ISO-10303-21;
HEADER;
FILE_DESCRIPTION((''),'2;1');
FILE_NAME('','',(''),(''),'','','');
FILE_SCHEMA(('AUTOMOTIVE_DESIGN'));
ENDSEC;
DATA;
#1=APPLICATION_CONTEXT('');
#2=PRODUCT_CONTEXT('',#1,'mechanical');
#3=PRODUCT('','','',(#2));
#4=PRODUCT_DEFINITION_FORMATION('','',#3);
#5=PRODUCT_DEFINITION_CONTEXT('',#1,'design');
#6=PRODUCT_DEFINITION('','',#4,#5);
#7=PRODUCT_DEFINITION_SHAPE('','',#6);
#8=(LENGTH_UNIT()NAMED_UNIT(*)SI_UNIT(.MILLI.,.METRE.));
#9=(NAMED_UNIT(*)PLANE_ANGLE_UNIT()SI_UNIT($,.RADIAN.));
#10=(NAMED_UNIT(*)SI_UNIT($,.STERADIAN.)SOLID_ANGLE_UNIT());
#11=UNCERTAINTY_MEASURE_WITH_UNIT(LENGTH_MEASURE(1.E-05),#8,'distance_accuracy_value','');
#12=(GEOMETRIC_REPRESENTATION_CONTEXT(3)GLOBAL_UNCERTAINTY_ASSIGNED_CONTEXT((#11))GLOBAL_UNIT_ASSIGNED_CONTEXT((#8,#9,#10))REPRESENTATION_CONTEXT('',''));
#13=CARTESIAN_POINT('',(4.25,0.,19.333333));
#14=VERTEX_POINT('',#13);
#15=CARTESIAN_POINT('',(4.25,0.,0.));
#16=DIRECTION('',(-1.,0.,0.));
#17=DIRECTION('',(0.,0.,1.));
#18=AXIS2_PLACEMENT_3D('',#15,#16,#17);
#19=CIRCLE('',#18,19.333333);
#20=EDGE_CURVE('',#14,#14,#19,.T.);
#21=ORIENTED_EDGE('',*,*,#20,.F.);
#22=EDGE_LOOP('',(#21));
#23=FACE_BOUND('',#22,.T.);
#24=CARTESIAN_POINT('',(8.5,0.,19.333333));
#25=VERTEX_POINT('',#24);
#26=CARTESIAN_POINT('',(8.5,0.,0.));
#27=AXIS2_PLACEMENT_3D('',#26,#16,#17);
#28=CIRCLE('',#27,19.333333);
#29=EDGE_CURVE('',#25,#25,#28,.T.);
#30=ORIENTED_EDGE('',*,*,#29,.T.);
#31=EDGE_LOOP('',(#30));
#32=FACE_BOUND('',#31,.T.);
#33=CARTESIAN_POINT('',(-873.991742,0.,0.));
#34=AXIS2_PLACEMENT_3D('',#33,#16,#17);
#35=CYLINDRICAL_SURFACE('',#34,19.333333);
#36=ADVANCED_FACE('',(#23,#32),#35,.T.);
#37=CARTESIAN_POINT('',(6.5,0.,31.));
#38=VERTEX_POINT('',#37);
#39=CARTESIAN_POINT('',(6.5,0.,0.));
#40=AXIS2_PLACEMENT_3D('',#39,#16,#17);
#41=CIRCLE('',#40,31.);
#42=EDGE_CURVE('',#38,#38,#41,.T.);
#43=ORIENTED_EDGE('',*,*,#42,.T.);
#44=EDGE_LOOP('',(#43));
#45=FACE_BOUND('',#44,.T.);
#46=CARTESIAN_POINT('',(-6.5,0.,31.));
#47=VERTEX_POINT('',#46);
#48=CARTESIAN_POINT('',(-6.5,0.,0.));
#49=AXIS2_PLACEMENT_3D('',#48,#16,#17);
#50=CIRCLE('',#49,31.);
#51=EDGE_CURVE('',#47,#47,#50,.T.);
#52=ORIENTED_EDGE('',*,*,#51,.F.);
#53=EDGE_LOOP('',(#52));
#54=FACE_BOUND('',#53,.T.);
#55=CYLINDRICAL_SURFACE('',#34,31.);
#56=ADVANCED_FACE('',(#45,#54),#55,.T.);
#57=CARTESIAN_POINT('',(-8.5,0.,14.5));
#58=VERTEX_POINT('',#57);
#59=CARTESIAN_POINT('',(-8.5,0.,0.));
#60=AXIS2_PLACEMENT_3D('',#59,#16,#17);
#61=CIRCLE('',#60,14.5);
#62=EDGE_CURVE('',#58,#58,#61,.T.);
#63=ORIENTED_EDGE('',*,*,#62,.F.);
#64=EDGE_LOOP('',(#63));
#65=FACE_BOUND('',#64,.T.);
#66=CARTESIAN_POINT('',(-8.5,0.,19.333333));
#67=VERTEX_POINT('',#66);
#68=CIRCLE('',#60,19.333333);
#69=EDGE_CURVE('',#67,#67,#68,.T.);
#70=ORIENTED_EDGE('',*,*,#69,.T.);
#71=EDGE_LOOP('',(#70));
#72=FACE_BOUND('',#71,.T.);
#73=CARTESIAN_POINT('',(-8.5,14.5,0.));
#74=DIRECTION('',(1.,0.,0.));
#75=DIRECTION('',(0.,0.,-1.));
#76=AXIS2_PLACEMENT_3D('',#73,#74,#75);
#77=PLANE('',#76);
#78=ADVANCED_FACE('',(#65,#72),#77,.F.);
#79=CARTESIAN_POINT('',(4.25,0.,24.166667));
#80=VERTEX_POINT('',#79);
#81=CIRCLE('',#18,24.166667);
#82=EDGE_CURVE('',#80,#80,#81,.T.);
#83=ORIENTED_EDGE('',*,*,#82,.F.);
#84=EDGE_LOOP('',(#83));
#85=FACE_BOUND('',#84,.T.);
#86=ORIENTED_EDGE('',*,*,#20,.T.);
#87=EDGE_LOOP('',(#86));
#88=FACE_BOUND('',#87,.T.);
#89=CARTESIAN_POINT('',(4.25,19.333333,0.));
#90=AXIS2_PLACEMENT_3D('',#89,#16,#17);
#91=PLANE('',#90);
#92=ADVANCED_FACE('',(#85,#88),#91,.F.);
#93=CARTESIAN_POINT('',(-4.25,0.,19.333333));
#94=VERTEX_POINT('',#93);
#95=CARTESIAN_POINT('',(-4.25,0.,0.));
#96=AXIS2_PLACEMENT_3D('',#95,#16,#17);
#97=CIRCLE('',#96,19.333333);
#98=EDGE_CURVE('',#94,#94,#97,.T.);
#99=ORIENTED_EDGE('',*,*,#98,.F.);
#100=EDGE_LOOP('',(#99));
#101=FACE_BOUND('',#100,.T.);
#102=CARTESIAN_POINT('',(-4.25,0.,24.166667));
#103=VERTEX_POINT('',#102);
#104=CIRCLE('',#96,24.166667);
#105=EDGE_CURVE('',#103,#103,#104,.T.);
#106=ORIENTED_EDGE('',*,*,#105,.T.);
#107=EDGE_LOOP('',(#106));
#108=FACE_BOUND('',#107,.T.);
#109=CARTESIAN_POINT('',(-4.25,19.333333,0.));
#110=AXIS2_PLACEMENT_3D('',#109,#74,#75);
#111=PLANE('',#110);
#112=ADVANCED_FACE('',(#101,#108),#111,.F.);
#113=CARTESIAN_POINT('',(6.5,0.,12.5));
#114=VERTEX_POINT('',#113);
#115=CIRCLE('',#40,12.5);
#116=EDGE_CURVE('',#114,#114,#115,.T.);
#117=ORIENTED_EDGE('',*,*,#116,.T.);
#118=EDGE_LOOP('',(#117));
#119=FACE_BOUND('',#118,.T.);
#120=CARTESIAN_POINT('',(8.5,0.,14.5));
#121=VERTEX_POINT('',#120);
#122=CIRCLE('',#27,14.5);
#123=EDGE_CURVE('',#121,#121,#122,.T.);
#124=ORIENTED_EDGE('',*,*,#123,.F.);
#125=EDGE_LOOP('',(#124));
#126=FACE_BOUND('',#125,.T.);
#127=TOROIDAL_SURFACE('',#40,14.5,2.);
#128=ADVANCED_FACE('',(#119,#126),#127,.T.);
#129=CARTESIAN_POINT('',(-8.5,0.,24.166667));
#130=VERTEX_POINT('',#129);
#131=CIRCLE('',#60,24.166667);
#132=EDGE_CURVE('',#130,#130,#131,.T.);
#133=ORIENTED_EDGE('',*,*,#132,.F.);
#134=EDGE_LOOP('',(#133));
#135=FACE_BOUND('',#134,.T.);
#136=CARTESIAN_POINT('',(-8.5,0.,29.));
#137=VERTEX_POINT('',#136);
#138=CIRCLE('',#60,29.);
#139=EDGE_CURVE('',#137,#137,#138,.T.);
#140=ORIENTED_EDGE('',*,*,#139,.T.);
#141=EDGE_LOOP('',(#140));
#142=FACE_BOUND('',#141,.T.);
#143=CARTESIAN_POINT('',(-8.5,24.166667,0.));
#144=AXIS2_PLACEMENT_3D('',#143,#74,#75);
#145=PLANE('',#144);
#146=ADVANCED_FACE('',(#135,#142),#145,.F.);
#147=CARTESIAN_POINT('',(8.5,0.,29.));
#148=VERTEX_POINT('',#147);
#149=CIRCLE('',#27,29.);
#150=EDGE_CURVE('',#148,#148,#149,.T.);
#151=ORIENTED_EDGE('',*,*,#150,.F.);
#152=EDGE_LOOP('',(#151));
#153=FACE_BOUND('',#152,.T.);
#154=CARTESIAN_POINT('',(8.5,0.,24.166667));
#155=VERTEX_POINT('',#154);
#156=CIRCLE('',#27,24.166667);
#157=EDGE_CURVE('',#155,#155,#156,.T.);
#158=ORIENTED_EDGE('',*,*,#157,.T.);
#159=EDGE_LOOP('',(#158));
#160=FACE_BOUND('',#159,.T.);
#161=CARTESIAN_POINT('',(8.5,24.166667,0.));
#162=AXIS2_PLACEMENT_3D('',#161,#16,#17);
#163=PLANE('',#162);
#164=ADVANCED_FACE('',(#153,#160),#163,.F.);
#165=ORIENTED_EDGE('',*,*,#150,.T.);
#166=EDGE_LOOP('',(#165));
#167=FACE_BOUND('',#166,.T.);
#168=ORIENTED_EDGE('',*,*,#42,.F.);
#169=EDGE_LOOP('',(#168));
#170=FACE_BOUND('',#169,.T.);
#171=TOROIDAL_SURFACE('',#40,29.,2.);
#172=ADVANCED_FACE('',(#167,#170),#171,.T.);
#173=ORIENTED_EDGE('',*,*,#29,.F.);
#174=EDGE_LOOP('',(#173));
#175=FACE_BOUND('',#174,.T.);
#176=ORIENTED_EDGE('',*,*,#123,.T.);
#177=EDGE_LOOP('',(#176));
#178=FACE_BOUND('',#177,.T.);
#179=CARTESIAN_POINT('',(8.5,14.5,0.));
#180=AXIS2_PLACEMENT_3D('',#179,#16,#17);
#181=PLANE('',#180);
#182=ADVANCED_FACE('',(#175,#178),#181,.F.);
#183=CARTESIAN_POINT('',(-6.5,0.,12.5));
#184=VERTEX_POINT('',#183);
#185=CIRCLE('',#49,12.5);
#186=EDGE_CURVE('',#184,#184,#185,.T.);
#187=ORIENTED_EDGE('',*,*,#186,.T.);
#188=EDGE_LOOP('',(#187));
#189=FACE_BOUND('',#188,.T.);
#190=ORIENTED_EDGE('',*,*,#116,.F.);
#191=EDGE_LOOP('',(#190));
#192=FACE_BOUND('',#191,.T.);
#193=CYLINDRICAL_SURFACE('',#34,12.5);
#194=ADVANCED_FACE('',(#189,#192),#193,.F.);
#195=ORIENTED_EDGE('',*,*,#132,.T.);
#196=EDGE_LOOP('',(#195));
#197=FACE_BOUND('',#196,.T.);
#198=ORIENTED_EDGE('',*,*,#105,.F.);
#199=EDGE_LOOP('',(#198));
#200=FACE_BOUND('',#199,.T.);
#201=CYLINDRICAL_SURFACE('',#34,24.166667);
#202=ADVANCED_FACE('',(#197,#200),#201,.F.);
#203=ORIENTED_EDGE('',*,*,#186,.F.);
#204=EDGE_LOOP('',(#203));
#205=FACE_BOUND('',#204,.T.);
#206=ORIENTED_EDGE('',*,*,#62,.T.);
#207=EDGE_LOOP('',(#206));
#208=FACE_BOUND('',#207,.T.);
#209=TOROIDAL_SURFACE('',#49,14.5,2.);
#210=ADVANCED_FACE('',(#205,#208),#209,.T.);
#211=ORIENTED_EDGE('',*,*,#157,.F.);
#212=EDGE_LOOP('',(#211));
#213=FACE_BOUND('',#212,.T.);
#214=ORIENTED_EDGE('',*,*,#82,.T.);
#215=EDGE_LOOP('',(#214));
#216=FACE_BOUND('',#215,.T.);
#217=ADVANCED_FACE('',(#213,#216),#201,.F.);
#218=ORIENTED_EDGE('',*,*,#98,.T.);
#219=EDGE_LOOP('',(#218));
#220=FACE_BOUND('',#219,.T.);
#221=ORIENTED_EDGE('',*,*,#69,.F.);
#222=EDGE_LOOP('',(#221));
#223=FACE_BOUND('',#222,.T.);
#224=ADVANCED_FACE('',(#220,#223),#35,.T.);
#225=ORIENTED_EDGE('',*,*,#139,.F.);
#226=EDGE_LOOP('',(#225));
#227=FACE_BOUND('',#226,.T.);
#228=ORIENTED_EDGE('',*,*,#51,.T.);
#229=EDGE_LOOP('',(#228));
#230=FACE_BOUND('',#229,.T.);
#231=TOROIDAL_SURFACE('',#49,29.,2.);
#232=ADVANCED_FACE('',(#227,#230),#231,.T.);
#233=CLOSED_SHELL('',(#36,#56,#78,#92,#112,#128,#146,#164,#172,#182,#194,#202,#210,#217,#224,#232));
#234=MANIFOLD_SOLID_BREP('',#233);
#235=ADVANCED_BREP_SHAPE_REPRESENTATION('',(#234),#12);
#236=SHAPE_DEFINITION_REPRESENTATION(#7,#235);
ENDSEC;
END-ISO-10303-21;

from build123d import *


with BuildPart() as part:
    # Эскиз1 → Повернуть1 (revolve)
    with BuildSketch(Plane.XY):
        with BuildLine():
            Line((6.5, 12.5), (-6.5, 12.5))
            ThreePointArc((-6.5, 12.5), (-7.914213562, 13.085786438), (-8.5, 14.5))
            Line((-8.5, 14.5), (-8.5, 19.333333333))
            Line((-8.5, 19.333333333), (-4.25, 19.333333333))
            Line((-4.25, 19.333333333), (-4.25, 24.166666667))
            Line((-4.25, 24.166666667), (-8.5, 24.166666667))
            Line((-8.5, 24.166666667), (-8.5, 29))
            ThreePointArc((-8.5, 29), (-7.914213562, 30.414213562), (-6.5, 31))
            Line((-6.5, 31), (6.5, 31))
            ThreePointArc((6.5, 31), (7.914213562, 30.414213562), (8.5, 29))
            Line((8.5, 29), (8.5, 24.166666667))
            Line((8.5, 24.166666667), (4.25, 24.166666667))
            Line((4.25, 24.166666667), (4.25, 19.333333333))
            Line((4.25, 19.333333333), (8.5, 19.333333333))
            Line((8.5, 19.333333333), (8.5, 14.5))
            ThreePointArc((8.5, 14.5), (7.914213562, 13.085786438), (6.5, 12.5))
        make_face()
    revolve(axis=Axis((-873.991742101, 0, 0), (1, 0, 0)))


solid = part.part
